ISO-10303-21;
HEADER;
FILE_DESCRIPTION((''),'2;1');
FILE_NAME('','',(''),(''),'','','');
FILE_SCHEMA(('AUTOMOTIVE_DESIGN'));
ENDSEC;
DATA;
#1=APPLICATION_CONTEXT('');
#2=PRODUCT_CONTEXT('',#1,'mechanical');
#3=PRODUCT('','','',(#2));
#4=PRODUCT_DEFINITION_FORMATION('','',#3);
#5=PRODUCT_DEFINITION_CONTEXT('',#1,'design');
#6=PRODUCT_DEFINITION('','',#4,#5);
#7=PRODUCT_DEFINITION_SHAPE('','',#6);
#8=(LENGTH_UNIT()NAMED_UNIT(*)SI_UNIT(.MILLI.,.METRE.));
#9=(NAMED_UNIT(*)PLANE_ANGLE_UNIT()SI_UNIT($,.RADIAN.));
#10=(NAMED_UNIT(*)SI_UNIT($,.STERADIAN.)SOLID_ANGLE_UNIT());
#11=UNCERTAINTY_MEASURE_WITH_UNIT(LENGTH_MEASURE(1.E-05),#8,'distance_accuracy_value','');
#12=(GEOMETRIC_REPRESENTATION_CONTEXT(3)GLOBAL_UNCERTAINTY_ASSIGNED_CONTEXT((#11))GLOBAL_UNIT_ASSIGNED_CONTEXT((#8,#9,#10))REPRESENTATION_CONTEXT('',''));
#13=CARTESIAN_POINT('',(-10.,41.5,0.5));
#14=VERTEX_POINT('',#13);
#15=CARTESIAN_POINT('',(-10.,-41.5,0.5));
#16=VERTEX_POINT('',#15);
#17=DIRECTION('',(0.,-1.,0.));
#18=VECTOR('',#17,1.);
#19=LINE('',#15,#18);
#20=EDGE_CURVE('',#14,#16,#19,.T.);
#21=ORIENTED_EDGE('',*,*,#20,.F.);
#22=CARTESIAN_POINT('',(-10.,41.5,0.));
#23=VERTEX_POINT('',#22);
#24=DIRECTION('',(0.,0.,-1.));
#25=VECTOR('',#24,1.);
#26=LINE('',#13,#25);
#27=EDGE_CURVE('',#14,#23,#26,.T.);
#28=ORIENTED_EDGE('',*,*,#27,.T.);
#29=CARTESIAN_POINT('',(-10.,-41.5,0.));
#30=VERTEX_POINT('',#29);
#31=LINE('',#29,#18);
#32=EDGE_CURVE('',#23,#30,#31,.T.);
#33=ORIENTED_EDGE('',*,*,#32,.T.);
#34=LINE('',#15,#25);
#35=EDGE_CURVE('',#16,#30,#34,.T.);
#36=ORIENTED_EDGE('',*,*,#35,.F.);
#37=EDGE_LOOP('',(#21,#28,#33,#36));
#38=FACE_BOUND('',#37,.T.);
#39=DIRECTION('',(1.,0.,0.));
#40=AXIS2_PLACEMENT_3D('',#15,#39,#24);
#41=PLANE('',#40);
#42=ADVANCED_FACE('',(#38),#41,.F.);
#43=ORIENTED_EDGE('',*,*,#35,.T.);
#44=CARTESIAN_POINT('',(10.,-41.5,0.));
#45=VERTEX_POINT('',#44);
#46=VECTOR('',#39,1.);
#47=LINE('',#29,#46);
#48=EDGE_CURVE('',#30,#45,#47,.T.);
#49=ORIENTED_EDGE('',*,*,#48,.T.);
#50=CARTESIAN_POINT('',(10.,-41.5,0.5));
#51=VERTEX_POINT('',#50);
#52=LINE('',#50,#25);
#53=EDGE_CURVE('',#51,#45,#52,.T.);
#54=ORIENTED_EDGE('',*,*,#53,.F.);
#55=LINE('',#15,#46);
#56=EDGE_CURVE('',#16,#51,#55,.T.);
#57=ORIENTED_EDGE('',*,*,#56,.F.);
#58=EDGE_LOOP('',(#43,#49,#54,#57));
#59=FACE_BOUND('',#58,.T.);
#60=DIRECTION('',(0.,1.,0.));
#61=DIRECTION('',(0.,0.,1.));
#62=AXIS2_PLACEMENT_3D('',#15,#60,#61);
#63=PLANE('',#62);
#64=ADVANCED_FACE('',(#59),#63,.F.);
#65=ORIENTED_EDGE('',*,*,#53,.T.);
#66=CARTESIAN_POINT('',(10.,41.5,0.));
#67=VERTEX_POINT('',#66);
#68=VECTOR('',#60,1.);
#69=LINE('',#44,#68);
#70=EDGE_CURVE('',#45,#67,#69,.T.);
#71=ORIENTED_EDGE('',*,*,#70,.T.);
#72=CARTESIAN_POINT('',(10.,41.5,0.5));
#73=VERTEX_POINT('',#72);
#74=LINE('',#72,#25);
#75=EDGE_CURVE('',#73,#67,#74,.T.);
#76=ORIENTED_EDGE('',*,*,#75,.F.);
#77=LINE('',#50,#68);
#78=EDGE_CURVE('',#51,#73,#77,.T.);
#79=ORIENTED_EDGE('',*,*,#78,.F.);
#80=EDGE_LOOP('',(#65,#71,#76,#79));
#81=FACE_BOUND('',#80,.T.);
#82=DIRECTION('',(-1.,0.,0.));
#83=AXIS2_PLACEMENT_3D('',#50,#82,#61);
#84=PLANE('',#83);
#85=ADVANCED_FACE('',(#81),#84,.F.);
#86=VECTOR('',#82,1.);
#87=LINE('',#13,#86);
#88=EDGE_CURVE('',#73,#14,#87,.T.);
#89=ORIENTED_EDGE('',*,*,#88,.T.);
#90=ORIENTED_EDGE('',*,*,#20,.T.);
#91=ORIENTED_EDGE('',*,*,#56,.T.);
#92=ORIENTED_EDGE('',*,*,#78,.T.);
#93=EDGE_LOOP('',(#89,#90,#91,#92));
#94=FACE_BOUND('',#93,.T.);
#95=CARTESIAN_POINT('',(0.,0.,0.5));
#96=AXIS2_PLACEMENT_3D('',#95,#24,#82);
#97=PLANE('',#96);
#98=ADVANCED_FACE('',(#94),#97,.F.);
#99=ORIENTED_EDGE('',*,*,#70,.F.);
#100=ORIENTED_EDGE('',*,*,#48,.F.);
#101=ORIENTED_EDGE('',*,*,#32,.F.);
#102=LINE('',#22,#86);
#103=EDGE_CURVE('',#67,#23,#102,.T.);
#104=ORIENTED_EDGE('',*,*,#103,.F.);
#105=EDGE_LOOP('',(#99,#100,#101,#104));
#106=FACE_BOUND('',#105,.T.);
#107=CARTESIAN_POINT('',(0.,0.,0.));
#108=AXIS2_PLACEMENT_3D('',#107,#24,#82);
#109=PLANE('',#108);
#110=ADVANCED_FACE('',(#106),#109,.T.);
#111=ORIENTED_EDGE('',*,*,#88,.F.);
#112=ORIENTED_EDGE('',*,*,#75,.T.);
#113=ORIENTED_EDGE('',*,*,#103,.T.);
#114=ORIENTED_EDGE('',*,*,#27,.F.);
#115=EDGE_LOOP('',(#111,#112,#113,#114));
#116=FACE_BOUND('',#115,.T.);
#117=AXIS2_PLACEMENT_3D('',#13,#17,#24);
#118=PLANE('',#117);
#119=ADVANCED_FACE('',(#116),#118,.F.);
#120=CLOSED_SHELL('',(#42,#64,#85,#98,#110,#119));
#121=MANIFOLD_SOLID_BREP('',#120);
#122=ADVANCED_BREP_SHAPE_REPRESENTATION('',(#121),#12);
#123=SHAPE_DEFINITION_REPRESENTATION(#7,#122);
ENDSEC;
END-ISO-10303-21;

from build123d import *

# Parameters (mm, degrees)
SKETCH_1_W      = 20
SKETCH_1_H      = 83
EXTRUDE_1_DEPTH = 0.5


with BuildPart() as part:
    # 草图1 → 凸台-拉伸1 (new body)
    with BuildSketch(Plane.XY):
        Rectangle(SKETCH_1_W, SKETCH_1_H)
    extrude(amount=EXTRUDE_1_DEPTH)


solid = part.part
